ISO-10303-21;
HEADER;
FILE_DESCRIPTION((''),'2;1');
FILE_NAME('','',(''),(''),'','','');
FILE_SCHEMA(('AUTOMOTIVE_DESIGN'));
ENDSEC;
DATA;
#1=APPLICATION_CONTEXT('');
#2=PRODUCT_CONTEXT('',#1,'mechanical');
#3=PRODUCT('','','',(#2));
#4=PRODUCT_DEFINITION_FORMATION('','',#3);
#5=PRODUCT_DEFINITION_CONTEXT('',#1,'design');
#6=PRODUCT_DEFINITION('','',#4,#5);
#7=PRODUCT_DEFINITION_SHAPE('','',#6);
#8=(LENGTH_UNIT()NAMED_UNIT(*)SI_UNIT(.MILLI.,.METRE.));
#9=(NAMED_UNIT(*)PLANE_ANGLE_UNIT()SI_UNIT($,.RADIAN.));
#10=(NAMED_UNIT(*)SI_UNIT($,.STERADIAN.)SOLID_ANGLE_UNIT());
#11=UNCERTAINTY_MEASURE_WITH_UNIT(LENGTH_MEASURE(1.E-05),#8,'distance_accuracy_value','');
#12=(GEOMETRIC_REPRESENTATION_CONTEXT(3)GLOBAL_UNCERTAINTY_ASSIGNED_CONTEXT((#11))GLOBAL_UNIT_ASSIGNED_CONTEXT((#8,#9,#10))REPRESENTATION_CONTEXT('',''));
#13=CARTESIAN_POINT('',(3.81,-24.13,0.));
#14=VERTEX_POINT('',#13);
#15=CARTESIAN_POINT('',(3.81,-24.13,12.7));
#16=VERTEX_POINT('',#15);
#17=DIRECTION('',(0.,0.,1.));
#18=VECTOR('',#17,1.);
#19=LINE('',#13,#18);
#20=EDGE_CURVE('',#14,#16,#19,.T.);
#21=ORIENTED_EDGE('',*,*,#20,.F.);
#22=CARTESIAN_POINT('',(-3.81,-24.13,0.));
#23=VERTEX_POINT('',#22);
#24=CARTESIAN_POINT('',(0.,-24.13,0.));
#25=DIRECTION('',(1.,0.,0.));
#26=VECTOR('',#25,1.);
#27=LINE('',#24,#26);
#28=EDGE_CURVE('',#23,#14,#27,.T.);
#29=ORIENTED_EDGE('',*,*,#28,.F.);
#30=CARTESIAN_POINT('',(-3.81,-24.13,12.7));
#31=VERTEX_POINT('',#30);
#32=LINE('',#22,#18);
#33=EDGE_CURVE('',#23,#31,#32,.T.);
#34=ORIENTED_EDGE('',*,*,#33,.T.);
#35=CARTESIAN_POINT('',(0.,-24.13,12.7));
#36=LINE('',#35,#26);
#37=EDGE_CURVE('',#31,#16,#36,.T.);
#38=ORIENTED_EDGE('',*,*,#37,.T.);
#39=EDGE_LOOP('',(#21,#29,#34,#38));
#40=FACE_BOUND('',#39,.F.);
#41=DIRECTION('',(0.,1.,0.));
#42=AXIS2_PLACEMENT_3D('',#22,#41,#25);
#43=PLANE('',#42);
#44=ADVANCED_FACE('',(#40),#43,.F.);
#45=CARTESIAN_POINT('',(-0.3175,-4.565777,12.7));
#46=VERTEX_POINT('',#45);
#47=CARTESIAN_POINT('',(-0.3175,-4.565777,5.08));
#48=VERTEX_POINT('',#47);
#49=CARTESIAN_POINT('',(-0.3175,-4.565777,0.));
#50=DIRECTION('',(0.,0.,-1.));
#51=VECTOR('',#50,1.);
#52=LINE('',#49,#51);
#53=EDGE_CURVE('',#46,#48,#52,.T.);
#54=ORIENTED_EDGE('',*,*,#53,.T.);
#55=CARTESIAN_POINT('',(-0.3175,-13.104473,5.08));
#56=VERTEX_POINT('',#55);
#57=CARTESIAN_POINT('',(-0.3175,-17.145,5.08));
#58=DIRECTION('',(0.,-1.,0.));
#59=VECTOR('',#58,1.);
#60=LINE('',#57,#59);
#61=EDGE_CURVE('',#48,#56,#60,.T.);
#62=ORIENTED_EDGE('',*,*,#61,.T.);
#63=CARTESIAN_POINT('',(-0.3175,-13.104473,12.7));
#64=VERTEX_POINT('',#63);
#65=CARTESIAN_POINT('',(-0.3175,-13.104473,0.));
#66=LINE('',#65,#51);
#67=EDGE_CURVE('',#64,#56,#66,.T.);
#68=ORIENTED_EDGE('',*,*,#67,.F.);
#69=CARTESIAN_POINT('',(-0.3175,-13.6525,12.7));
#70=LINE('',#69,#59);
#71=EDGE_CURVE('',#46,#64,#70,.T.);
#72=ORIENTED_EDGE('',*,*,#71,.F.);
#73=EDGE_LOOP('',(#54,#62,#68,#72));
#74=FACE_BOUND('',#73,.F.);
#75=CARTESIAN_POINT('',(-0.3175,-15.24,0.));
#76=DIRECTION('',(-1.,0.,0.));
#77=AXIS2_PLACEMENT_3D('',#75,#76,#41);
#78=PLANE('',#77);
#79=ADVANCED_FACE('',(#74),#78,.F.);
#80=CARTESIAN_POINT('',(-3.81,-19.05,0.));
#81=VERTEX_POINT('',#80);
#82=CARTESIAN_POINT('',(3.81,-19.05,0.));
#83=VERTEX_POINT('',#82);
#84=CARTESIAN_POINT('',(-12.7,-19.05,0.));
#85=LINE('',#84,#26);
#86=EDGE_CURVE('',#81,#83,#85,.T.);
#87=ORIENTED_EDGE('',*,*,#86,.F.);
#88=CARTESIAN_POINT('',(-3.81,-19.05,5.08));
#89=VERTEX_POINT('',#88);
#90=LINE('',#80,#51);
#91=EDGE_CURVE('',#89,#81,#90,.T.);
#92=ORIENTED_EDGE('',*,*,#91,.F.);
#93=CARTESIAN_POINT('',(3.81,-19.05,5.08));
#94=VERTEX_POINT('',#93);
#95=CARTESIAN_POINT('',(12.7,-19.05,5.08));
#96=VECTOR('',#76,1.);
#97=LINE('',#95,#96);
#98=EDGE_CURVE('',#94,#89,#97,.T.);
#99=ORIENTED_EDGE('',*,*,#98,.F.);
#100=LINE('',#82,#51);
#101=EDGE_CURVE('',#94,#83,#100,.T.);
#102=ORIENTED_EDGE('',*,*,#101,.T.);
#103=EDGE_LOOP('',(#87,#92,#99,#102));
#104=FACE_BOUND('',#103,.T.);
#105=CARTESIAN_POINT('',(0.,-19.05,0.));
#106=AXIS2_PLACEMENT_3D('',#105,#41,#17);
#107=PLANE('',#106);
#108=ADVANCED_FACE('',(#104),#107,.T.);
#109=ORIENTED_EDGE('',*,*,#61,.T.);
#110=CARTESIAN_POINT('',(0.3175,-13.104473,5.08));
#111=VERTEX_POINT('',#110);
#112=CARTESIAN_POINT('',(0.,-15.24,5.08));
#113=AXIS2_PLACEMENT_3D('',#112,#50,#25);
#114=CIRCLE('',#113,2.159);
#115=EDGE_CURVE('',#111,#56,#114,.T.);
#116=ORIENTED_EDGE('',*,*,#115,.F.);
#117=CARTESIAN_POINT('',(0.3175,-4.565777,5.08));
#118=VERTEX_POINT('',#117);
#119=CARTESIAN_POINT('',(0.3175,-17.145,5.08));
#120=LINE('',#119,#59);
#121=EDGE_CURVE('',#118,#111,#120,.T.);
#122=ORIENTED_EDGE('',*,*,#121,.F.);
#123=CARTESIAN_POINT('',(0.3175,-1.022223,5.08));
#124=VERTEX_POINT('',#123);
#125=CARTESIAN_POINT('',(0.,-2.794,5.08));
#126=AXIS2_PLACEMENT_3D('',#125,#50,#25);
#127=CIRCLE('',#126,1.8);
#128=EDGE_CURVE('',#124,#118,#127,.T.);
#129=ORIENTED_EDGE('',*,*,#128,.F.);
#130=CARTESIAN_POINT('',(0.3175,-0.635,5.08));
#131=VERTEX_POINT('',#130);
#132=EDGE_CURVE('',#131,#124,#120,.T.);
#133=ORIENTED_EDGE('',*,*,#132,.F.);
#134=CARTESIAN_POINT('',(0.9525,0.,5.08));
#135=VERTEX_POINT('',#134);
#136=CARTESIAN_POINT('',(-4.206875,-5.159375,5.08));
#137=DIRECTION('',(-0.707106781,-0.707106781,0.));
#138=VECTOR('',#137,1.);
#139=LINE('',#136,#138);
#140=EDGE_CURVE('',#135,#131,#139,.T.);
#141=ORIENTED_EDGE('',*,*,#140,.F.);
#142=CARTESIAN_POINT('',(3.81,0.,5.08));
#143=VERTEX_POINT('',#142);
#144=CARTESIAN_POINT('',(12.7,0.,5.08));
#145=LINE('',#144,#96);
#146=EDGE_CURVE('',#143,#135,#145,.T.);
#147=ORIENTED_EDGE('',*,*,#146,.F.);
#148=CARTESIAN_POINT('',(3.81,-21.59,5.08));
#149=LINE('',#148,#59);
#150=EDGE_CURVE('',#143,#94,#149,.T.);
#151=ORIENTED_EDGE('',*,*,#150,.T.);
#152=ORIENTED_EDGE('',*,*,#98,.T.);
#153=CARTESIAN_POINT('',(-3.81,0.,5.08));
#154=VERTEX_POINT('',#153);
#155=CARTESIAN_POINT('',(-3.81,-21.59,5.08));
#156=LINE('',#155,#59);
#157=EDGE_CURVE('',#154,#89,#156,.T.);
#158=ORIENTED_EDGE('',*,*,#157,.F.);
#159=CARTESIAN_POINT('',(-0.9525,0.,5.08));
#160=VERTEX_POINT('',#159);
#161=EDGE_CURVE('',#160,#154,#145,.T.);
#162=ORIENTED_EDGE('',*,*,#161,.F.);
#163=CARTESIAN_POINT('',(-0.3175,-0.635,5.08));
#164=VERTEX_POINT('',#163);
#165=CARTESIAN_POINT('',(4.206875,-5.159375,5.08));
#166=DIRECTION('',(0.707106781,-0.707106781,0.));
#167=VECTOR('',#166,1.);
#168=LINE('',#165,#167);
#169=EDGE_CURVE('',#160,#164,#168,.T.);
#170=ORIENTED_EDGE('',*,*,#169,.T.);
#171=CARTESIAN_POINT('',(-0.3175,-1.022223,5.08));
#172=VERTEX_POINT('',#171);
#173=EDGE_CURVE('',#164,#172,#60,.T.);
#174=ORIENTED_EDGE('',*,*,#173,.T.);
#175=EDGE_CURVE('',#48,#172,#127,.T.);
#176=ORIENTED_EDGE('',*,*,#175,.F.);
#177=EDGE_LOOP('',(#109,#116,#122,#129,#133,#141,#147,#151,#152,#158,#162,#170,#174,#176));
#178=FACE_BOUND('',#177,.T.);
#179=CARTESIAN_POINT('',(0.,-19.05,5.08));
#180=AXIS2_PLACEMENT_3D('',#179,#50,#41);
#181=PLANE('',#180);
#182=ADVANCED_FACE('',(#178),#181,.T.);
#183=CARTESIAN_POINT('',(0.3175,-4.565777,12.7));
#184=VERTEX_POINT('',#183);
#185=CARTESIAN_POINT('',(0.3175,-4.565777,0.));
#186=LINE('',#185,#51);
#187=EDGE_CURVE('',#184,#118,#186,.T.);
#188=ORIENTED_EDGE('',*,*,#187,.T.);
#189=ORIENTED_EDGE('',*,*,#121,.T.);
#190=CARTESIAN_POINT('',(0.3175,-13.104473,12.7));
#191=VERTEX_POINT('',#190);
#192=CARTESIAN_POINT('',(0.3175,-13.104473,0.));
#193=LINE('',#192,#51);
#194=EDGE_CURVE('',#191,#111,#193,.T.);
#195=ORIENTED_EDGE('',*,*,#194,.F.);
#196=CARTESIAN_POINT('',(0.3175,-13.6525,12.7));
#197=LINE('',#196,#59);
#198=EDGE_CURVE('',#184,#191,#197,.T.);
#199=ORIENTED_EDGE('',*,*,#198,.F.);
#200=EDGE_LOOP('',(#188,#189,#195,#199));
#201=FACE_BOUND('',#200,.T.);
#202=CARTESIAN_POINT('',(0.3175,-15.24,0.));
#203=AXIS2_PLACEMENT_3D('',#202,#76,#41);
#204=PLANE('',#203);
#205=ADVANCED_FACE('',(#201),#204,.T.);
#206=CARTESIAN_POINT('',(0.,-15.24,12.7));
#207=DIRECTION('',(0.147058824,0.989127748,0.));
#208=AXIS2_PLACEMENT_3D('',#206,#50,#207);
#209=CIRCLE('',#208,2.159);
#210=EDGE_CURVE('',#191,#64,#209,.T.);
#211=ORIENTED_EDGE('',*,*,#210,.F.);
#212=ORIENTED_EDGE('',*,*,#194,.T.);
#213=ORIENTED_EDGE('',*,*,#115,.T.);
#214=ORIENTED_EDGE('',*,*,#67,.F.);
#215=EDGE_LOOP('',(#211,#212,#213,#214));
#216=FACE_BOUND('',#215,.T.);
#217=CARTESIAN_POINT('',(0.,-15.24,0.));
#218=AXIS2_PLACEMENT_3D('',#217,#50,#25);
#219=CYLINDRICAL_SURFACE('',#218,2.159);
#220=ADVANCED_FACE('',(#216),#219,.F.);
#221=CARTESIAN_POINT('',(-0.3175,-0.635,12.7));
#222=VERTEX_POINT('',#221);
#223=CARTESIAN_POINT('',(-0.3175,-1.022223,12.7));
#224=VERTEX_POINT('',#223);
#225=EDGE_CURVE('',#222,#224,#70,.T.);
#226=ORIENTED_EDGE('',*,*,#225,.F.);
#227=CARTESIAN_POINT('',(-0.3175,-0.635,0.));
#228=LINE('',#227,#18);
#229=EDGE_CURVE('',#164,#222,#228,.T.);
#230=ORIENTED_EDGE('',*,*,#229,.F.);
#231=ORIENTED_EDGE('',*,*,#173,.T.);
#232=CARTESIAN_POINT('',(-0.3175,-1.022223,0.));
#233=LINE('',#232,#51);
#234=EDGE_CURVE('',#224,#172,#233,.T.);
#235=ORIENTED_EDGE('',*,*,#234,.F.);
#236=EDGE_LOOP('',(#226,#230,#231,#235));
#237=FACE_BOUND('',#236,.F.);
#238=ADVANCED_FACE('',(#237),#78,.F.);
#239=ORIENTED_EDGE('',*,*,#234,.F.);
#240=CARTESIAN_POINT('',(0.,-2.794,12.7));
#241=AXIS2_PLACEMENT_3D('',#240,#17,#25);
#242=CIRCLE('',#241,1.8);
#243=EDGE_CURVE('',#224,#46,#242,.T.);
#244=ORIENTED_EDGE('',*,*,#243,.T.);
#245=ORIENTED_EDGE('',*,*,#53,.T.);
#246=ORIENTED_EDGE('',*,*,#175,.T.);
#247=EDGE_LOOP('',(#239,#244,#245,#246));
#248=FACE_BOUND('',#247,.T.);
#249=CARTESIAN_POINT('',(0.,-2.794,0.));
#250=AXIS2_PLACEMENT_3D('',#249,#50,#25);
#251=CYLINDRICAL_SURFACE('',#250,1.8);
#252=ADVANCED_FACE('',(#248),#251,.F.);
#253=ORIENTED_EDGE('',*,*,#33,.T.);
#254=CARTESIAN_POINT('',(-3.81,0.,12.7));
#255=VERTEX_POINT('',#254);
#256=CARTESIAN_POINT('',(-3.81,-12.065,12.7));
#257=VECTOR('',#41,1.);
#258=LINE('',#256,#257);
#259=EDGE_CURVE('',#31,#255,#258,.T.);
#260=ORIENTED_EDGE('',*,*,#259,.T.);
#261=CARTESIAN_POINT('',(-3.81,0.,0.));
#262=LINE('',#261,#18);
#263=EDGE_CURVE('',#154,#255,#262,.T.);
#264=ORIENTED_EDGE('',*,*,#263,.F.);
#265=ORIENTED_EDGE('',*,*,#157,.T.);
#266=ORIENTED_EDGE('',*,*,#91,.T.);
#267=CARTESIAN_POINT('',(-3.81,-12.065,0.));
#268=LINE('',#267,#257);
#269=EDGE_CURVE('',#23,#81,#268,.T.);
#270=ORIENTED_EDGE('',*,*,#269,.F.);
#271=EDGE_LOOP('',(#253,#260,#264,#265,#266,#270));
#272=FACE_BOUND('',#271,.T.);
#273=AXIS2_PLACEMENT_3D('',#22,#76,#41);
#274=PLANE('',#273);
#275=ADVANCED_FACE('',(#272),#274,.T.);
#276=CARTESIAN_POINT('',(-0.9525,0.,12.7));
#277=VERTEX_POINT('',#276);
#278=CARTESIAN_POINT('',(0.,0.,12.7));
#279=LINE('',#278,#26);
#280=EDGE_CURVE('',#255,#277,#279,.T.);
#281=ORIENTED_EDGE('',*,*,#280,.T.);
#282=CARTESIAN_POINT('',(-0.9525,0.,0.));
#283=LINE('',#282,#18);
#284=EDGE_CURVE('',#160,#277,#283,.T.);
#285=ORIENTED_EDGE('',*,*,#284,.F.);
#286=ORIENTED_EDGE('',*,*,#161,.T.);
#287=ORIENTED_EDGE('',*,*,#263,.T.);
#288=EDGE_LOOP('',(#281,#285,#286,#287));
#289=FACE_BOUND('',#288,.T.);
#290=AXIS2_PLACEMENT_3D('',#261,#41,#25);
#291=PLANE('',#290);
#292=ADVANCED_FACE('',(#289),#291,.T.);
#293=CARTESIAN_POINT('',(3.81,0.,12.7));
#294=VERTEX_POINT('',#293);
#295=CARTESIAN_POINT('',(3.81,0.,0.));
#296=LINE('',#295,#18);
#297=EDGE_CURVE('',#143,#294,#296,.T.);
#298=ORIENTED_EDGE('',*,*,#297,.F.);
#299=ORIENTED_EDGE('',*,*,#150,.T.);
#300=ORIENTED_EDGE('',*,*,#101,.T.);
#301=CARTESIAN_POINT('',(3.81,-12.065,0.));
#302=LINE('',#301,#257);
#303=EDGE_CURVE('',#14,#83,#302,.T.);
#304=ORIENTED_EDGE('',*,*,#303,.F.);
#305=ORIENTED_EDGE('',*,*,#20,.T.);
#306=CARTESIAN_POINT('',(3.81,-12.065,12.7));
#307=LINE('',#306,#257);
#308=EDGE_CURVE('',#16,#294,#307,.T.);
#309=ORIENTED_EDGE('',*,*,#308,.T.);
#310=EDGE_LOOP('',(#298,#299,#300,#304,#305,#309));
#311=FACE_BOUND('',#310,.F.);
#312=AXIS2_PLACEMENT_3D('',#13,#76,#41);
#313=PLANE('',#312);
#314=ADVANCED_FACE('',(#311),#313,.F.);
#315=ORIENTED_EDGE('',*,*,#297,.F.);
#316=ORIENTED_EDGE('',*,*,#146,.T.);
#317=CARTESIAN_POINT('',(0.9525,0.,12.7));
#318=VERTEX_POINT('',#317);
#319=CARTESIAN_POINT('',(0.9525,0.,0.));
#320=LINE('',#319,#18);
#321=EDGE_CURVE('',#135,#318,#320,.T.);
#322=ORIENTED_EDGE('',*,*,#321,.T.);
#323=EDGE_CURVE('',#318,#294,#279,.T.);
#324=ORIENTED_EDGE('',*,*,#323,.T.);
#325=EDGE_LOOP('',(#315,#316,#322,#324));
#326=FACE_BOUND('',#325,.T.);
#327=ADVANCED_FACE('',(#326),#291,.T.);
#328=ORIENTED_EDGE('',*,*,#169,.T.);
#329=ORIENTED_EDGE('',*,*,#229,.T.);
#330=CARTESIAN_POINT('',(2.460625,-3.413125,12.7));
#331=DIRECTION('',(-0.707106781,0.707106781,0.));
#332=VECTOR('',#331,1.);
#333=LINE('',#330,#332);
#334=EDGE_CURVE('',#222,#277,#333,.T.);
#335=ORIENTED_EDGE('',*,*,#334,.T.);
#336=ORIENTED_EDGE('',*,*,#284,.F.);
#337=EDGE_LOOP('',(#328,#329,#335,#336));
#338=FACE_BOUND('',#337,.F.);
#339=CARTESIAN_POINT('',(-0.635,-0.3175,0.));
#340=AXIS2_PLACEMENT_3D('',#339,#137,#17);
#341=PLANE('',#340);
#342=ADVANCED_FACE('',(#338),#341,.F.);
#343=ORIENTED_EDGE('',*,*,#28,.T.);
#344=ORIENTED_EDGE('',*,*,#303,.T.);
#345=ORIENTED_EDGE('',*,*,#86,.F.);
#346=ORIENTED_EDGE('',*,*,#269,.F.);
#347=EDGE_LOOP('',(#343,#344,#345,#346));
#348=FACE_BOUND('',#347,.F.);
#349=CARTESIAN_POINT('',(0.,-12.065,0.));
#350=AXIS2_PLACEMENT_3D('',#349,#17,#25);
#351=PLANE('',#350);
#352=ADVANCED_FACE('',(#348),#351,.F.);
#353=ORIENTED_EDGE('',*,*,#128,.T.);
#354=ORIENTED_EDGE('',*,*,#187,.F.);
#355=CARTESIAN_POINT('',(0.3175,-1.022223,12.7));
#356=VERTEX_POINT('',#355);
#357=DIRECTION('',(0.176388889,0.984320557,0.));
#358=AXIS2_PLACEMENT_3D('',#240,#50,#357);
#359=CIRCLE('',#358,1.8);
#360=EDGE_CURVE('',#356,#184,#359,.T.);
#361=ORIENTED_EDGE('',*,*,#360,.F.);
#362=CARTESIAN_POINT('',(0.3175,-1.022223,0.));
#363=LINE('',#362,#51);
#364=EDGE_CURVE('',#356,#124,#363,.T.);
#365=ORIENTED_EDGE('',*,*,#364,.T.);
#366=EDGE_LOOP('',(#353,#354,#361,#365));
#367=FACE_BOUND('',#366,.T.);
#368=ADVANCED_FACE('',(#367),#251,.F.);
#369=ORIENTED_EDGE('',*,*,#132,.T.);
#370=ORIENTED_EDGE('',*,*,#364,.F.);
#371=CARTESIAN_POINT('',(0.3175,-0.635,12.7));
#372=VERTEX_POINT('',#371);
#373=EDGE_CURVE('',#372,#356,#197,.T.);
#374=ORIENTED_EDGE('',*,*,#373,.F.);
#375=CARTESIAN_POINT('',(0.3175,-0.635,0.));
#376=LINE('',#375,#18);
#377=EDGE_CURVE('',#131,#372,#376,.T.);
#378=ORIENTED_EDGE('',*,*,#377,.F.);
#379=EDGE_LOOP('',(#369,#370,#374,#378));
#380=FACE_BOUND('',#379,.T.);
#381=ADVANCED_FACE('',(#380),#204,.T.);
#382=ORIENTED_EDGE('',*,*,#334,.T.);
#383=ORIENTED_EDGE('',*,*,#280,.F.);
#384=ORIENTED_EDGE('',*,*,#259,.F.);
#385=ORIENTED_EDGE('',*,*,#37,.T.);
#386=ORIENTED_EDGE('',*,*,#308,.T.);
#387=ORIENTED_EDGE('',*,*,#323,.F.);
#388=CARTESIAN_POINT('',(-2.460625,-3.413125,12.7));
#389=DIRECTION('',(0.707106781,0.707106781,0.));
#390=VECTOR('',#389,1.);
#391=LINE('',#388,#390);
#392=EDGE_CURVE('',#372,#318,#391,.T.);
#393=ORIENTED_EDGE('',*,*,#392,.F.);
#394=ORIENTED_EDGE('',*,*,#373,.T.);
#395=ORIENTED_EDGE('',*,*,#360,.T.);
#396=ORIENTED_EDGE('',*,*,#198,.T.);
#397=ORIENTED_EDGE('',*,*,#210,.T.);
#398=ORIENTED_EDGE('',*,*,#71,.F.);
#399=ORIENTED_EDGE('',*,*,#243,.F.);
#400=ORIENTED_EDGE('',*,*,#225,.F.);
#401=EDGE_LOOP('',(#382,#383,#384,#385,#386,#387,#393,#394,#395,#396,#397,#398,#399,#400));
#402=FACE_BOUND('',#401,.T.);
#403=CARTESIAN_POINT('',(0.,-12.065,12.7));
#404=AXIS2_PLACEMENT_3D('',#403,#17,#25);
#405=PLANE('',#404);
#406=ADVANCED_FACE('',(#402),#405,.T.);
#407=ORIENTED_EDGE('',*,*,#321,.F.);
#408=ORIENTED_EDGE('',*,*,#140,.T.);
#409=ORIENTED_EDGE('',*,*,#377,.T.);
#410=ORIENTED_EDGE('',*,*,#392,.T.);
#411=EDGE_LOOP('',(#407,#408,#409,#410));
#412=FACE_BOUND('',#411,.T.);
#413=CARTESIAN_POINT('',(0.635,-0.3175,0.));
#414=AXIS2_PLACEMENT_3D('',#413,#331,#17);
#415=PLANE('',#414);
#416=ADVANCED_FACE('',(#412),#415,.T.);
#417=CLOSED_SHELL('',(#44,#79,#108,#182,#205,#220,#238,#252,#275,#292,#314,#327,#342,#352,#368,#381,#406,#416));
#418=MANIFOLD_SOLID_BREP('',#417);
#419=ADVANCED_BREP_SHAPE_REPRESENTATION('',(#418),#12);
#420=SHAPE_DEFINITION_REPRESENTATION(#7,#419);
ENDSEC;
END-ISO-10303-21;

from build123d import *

# Parameters (mm, degrees)
F0_W     = 7.62
F0_H     = 24.13
F0_R     = 2.159
F0_R_2   = 1.8
F2_DEPTH = 12.7
F1_W     = 0.635
F1_H     = 15.24
F3_DEPTH = 19.05
F4_SIZE  = 0.635
F5_W     = 19.05
F5_H     = 5.08
F6_DEPTH = 12.7


with BuildPart() as f2:
    # F0 (on Top) → F2 (new body)
    with BuildSketch(Plane.XY):
        with Locations((0, -12.065)):
            Rectangle(F0_W, F0_H)
        with Locations((0, -15.24)):
            Circle(F0_R, mode=Mode.SUBTRACT)
        with Locations((0, -2.794)):
            Circle(F0_R_2, mode=Mode.SUBTRACT)
    extrude(amount=F2_DEPTH)

    # F1 (on Top) → F3 (cut)
    with BuildSketch(Plane.XY):
        with Locations((0, -7.62)):
            Rectangle(F1_W, F1_H)
    extrude(amount=F3_DEPTH, mode=Mode.SUBTRACT)

    # F4
    f4_edges = [f2.edges().sort_by_distance(p)[0] for p in [
        (0.3175, 0, 6.35),
        (-0.3175, 0, 6.35),
    ]]
    chamfer(f4_edges, length=F4_SIZE)

    # F5 (on Right) → F6 (cut, symmetric)
    with BuildSketch(Plane.YZ):
        with Locations((-9.525, 2.54)):
            Rectangle(F5_W, F5_H)
    extrude(amount=F6_DEPTH, both=True, mode=Mode.SUBTRACT)


solid = f2.part
